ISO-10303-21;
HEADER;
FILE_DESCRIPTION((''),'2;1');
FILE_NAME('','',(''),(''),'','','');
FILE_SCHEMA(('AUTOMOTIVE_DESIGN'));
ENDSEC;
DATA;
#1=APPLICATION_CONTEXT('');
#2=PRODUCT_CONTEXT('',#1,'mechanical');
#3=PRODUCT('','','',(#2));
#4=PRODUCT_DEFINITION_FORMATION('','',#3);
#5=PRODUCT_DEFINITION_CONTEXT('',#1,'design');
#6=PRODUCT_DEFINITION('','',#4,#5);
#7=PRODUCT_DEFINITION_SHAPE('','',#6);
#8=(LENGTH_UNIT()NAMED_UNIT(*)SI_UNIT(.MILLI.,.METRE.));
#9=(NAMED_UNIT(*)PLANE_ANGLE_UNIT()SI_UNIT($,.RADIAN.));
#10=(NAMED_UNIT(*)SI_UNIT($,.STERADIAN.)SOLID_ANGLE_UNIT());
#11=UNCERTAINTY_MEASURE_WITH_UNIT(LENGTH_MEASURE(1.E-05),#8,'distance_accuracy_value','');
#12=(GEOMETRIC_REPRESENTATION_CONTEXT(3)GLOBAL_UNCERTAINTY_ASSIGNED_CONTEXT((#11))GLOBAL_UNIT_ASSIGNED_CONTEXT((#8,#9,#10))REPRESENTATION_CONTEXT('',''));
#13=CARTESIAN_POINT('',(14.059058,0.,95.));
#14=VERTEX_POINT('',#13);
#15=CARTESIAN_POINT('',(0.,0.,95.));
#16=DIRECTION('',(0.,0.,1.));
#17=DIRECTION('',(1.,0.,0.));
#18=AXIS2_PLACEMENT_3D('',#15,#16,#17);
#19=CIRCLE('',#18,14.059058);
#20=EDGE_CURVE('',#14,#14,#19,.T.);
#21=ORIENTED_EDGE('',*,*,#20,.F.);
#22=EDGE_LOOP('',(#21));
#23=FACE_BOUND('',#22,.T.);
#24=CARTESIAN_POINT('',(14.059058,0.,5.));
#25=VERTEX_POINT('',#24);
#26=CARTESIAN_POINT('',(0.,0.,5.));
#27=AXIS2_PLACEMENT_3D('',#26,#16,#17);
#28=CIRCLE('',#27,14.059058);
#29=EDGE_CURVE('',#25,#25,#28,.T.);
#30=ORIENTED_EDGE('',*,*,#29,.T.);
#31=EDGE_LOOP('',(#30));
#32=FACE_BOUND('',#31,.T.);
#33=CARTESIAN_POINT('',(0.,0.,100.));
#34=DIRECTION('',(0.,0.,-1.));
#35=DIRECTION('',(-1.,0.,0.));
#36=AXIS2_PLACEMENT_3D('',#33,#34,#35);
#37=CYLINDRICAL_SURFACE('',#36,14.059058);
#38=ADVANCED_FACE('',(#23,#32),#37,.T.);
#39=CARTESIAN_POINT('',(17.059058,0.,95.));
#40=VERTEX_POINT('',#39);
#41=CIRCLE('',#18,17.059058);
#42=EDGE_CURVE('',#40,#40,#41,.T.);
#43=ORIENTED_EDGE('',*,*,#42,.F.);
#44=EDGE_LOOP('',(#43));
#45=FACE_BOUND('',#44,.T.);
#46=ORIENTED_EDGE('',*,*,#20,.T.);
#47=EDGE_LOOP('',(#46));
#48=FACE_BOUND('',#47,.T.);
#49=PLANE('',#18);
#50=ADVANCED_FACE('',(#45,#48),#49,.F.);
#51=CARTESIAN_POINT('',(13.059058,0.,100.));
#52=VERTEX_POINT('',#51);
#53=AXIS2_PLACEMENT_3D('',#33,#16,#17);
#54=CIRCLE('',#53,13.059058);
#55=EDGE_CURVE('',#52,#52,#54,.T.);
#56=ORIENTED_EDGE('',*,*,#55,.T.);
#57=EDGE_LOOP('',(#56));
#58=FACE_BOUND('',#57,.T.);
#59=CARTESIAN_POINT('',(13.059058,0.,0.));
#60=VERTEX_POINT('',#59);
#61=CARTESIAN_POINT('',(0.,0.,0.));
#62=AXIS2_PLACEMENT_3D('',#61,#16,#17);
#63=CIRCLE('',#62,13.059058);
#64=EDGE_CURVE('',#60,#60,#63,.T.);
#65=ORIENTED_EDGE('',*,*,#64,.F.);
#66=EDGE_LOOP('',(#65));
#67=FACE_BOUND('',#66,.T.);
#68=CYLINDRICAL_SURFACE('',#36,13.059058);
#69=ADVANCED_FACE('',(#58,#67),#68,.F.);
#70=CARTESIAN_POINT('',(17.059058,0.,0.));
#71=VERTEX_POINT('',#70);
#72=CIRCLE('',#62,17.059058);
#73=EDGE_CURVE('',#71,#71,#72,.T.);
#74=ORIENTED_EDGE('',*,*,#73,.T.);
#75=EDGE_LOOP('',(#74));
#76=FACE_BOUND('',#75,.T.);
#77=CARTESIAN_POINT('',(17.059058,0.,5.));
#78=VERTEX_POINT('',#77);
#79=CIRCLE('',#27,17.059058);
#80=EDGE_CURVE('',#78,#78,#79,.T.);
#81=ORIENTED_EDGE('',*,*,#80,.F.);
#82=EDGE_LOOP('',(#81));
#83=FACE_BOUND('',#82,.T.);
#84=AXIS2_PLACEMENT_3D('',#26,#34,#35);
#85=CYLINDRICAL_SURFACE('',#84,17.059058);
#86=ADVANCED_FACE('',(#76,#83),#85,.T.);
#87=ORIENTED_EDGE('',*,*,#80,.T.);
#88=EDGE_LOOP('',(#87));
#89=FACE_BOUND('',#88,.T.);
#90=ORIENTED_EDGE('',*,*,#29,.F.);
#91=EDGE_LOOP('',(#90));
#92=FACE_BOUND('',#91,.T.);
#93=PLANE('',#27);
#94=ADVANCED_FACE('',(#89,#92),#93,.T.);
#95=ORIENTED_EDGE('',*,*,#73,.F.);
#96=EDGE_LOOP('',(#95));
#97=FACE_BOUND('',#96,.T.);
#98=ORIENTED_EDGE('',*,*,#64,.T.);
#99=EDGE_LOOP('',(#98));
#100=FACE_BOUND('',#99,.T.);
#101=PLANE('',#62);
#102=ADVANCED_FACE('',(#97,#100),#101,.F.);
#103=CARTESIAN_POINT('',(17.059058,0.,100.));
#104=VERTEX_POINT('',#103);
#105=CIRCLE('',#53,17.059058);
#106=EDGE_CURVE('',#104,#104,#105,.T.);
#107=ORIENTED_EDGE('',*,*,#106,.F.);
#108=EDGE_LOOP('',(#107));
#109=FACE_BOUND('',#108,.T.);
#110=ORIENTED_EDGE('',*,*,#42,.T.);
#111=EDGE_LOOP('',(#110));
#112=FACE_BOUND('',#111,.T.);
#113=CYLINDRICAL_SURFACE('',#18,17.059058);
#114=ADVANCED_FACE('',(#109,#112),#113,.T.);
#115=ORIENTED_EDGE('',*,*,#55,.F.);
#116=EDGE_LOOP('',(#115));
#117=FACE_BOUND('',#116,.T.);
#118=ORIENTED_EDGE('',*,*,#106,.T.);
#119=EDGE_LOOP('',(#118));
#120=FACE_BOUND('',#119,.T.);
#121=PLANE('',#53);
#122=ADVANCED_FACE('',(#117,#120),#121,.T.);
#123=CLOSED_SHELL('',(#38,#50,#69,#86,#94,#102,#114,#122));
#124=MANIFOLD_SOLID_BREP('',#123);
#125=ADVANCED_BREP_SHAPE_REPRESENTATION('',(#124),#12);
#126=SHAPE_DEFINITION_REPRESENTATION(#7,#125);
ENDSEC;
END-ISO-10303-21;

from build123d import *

# Parameters (mm, degrees)
ESQUISSE1_R        = 14.059058324
ESQUISSE1_R_2      = 13.059058324
BOSS_EXTRU_3_DEPTH = 100
ESQUISSE1_6_R      = 17.059058324
ESQUISSE1_6_R_2    = 14.059058324
BOSS_EXTRU_4_DEPTH = 5
BOSS_EXTRU_5_START = -5
ESQUISSE2_R        = 17.059058324
ESQUISSE2_R_2      = 14.059058324
BOSS_EXTRU_5_DEPTH = 5


with BuildPart() as part:
    # Esquisse1 → Boss.-Extru.3 (new body)
    with BuildSketch(Plane.XY):
        Circle(ESQUISSE1_R)
        Circle(ESQUISSE1_R_2, mode=Mode.SUBTRACT)
    extrude(amount=BOSS_EXTRU_3_DEPTH)

    # Esquisse1<6> → Boss.-Extru.4 (add)
    with BuildSketch(Plane.XY):
        Circle(ESQUISSE1_6_R)
        Circle(ESQUISSE1_6_R_2, mode=Mode.SUBTRACT)
    extrude(amount=BOSS_EXTRU_4_DEPTH)

    # Esquisse2 → Boss.-Extru.5 (add)
    with BuildSketch(Plane.XY.offset(100).offset(BOSS_EXTRU_5_START)):
        Circle(ESQUISSE2_R)
        Circle(ESQUISSE2_R_2, mode=Mode.SUBTRACT)
    extrude(amount=BOSS_EXTRU_5_DEPTH)


solid = part.part
